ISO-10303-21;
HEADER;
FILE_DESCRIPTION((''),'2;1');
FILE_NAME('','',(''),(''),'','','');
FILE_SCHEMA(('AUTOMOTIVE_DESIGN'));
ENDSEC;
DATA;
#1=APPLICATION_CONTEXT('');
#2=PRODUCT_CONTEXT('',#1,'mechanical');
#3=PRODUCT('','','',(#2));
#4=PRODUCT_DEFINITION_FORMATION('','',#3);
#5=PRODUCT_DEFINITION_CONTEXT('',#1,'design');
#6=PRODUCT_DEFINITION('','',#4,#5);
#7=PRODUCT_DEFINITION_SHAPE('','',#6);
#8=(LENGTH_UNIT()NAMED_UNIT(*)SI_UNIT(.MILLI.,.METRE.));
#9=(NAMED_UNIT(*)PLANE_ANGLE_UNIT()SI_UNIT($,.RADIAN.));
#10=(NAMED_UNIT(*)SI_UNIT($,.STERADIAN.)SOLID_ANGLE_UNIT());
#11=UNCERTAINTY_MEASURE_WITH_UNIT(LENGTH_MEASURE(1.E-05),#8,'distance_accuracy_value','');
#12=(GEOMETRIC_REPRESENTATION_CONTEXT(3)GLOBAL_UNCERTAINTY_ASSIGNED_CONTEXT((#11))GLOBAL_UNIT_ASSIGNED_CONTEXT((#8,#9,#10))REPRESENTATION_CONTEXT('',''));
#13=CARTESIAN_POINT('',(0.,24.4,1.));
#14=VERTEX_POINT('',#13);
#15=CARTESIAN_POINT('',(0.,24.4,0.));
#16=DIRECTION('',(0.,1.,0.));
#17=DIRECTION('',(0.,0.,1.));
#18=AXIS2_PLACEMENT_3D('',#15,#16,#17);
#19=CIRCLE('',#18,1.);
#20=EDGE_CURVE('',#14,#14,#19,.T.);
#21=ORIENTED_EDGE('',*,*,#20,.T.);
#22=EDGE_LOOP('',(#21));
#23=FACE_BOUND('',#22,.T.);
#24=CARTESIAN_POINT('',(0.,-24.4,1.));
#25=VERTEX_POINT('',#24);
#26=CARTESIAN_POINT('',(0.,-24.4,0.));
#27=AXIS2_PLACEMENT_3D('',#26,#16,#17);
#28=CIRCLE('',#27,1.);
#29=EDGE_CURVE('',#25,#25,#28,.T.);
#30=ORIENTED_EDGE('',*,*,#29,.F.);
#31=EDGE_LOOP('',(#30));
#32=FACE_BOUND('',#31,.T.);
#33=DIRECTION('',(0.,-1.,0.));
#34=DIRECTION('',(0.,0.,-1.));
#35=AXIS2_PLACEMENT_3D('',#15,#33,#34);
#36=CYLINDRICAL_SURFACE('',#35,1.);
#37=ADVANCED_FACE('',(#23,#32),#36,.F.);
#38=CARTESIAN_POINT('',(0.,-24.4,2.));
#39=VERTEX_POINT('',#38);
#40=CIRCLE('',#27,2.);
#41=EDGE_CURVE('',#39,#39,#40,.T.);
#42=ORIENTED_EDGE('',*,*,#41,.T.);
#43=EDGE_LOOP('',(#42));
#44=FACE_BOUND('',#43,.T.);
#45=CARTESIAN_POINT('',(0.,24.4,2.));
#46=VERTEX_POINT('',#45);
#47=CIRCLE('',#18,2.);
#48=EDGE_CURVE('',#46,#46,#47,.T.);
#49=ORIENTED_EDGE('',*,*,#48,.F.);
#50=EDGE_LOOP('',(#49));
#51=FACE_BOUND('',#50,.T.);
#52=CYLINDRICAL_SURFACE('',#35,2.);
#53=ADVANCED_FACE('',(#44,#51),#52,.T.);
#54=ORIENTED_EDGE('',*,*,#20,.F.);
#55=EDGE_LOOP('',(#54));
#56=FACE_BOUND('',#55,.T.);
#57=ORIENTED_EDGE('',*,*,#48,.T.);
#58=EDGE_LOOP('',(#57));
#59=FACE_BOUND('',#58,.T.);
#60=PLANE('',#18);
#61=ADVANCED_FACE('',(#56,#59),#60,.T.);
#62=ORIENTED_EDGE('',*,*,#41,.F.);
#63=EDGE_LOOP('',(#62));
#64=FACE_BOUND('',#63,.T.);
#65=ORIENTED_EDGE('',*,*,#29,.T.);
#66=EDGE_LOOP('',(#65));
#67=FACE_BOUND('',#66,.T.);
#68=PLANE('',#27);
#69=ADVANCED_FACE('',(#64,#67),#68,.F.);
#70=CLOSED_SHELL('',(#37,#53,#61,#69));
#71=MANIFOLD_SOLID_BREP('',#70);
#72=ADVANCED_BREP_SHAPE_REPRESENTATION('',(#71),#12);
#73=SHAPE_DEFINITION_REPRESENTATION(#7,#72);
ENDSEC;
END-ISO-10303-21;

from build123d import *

# Parameters (mm, degrees)
SKETCH1_R           = 2
SKETCH1_R_2         = 1
BOSS_EXTRUDE1_DEPTH = 24.4


with BuildPart() as part:
    # Sketch1 → Boss-Extrude1 (new, symmetric)
    with BuildSketch(Plane(origin=(0, 0, 0), x_dir=(1, 0, 0), z_dir=(0, 1, 0))):
        with Locations(Location((0, 0, 0), (0, 0, 270))):
            Circle(SKETCH1_R)
        with Locations(Location((0, 0, 0), (0, 0, 270))):
            Circle(SKETCH1_R_2, mode=Mode.SUBTRACT)
    extrude(amount=BOSS_EXTRUDE1_DEPTH, both=True)


solid = part.part
